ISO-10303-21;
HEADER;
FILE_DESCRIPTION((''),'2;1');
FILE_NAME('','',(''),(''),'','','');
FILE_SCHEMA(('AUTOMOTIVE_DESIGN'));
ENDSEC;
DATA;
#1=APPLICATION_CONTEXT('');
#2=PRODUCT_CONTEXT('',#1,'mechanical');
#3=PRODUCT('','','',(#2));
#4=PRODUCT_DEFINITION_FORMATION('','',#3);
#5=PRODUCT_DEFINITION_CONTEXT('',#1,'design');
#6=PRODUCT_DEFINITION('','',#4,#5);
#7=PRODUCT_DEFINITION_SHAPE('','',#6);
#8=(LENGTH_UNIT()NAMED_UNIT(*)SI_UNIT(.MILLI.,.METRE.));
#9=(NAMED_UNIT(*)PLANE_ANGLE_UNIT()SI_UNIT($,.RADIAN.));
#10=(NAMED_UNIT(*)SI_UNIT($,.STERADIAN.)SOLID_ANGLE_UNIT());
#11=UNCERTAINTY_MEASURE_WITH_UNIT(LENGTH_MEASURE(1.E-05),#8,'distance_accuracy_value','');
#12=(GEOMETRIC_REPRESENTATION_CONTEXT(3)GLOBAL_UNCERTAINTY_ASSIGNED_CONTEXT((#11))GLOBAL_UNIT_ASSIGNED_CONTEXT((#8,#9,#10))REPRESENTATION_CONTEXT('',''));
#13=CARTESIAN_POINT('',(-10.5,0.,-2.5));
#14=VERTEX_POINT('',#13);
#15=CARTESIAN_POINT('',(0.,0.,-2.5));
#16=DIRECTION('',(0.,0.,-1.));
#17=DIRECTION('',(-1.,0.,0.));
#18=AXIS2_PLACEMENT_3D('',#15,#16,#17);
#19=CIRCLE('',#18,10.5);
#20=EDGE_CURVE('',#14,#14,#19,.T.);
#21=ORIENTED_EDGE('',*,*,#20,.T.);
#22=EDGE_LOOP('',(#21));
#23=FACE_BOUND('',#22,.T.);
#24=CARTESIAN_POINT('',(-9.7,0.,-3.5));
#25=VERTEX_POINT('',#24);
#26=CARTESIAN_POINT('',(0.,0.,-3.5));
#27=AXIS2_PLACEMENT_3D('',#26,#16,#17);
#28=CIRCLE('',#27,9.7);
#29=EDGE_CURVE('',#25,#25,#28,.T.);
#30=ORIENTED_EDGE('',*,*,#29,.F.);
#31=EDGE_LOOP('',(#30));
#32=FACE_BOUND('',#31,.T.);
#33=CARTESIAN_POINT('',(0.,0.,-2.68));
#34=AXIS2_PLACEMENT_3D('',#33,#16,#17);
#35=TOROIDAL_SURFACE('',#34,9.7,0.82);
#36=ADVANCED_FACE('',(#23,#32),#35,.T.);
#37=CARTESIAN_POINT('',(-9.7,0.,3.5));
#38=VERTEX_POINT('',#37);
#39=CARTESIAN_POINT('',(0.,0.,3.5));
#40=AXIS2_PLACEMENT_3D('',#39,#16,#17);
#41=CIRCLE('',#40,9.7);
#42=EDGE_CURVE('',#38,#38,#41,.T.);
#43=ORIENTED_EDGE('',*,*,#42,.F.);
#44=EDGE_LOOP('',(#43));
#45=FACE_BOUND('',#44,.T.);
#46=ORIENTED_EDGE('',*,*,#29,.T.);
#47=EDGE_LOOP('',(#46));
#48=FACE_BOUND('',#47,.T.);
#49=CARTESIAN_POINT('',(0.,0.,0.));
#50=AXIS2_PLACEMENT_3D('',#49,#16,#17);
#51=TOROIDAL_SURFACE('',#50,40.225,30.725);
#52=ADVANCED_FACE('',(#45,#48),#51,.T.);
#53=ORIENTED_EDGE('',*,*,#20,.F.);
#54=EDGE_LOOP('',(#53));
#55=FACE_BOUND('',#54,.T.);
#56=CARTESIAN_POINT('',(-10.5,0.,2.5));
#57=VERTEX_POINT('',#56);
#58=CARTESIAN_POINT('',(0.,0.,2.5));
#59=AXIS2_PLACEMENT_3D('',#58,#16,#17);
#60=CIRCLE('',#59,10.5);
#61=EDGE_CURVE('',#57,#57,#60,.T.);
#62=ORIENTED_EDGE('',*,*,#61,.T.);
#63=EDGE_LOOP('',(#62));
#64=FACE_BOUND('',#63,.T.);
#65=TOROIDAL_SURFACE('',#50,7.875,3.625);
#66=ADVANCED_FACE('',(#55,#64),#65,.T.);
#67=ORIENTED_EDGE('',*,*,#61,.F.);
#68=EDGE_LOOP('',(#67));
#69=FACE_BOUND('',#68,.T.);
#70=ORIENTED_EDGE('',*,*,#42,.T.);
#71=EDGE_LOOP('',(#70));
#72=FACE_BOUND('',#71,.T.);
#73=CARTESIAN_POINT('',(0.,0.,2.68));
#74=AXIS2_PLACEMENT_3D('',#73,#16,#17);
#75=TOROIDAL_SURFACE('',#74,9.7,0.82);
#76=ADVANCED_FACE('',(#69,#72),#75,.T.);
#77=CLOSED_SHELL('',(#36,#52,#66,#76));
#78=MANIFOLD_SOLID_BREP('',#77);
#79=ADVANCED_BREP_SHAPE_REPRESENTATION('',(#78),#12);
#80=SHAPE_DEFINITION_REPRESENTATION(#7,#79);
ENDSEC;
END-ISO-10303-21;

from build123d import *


with BuildPart() as part:
    # Эскиз1 → Повернуть1 (revolve)
    with BuildSketch(Plane(origin=(0, 0, 0), x_dir=(0, 0, -1), z_dir=(1, 0, 0))):
        with BuildLine():
            ThreePointArc((-3.5, 9.7), (-3.192249939, 10.340312424), (-2.5, 10.5))
            ThreePointArc((-2.5, 10.5), (0, 11.5), (2.5, 10.5))
            ThreePointArc((2.5, 10.5), (3.192249939, 10.340312424), (3.5, 9.7))
            ThreePointArc((3.5, 9.7), (0, 9.5), (-3.5, 9.7))
        make_face()
    revolve(axis=Axis((0, 0, 0), (0, 0, 1)))


solid = part.part
